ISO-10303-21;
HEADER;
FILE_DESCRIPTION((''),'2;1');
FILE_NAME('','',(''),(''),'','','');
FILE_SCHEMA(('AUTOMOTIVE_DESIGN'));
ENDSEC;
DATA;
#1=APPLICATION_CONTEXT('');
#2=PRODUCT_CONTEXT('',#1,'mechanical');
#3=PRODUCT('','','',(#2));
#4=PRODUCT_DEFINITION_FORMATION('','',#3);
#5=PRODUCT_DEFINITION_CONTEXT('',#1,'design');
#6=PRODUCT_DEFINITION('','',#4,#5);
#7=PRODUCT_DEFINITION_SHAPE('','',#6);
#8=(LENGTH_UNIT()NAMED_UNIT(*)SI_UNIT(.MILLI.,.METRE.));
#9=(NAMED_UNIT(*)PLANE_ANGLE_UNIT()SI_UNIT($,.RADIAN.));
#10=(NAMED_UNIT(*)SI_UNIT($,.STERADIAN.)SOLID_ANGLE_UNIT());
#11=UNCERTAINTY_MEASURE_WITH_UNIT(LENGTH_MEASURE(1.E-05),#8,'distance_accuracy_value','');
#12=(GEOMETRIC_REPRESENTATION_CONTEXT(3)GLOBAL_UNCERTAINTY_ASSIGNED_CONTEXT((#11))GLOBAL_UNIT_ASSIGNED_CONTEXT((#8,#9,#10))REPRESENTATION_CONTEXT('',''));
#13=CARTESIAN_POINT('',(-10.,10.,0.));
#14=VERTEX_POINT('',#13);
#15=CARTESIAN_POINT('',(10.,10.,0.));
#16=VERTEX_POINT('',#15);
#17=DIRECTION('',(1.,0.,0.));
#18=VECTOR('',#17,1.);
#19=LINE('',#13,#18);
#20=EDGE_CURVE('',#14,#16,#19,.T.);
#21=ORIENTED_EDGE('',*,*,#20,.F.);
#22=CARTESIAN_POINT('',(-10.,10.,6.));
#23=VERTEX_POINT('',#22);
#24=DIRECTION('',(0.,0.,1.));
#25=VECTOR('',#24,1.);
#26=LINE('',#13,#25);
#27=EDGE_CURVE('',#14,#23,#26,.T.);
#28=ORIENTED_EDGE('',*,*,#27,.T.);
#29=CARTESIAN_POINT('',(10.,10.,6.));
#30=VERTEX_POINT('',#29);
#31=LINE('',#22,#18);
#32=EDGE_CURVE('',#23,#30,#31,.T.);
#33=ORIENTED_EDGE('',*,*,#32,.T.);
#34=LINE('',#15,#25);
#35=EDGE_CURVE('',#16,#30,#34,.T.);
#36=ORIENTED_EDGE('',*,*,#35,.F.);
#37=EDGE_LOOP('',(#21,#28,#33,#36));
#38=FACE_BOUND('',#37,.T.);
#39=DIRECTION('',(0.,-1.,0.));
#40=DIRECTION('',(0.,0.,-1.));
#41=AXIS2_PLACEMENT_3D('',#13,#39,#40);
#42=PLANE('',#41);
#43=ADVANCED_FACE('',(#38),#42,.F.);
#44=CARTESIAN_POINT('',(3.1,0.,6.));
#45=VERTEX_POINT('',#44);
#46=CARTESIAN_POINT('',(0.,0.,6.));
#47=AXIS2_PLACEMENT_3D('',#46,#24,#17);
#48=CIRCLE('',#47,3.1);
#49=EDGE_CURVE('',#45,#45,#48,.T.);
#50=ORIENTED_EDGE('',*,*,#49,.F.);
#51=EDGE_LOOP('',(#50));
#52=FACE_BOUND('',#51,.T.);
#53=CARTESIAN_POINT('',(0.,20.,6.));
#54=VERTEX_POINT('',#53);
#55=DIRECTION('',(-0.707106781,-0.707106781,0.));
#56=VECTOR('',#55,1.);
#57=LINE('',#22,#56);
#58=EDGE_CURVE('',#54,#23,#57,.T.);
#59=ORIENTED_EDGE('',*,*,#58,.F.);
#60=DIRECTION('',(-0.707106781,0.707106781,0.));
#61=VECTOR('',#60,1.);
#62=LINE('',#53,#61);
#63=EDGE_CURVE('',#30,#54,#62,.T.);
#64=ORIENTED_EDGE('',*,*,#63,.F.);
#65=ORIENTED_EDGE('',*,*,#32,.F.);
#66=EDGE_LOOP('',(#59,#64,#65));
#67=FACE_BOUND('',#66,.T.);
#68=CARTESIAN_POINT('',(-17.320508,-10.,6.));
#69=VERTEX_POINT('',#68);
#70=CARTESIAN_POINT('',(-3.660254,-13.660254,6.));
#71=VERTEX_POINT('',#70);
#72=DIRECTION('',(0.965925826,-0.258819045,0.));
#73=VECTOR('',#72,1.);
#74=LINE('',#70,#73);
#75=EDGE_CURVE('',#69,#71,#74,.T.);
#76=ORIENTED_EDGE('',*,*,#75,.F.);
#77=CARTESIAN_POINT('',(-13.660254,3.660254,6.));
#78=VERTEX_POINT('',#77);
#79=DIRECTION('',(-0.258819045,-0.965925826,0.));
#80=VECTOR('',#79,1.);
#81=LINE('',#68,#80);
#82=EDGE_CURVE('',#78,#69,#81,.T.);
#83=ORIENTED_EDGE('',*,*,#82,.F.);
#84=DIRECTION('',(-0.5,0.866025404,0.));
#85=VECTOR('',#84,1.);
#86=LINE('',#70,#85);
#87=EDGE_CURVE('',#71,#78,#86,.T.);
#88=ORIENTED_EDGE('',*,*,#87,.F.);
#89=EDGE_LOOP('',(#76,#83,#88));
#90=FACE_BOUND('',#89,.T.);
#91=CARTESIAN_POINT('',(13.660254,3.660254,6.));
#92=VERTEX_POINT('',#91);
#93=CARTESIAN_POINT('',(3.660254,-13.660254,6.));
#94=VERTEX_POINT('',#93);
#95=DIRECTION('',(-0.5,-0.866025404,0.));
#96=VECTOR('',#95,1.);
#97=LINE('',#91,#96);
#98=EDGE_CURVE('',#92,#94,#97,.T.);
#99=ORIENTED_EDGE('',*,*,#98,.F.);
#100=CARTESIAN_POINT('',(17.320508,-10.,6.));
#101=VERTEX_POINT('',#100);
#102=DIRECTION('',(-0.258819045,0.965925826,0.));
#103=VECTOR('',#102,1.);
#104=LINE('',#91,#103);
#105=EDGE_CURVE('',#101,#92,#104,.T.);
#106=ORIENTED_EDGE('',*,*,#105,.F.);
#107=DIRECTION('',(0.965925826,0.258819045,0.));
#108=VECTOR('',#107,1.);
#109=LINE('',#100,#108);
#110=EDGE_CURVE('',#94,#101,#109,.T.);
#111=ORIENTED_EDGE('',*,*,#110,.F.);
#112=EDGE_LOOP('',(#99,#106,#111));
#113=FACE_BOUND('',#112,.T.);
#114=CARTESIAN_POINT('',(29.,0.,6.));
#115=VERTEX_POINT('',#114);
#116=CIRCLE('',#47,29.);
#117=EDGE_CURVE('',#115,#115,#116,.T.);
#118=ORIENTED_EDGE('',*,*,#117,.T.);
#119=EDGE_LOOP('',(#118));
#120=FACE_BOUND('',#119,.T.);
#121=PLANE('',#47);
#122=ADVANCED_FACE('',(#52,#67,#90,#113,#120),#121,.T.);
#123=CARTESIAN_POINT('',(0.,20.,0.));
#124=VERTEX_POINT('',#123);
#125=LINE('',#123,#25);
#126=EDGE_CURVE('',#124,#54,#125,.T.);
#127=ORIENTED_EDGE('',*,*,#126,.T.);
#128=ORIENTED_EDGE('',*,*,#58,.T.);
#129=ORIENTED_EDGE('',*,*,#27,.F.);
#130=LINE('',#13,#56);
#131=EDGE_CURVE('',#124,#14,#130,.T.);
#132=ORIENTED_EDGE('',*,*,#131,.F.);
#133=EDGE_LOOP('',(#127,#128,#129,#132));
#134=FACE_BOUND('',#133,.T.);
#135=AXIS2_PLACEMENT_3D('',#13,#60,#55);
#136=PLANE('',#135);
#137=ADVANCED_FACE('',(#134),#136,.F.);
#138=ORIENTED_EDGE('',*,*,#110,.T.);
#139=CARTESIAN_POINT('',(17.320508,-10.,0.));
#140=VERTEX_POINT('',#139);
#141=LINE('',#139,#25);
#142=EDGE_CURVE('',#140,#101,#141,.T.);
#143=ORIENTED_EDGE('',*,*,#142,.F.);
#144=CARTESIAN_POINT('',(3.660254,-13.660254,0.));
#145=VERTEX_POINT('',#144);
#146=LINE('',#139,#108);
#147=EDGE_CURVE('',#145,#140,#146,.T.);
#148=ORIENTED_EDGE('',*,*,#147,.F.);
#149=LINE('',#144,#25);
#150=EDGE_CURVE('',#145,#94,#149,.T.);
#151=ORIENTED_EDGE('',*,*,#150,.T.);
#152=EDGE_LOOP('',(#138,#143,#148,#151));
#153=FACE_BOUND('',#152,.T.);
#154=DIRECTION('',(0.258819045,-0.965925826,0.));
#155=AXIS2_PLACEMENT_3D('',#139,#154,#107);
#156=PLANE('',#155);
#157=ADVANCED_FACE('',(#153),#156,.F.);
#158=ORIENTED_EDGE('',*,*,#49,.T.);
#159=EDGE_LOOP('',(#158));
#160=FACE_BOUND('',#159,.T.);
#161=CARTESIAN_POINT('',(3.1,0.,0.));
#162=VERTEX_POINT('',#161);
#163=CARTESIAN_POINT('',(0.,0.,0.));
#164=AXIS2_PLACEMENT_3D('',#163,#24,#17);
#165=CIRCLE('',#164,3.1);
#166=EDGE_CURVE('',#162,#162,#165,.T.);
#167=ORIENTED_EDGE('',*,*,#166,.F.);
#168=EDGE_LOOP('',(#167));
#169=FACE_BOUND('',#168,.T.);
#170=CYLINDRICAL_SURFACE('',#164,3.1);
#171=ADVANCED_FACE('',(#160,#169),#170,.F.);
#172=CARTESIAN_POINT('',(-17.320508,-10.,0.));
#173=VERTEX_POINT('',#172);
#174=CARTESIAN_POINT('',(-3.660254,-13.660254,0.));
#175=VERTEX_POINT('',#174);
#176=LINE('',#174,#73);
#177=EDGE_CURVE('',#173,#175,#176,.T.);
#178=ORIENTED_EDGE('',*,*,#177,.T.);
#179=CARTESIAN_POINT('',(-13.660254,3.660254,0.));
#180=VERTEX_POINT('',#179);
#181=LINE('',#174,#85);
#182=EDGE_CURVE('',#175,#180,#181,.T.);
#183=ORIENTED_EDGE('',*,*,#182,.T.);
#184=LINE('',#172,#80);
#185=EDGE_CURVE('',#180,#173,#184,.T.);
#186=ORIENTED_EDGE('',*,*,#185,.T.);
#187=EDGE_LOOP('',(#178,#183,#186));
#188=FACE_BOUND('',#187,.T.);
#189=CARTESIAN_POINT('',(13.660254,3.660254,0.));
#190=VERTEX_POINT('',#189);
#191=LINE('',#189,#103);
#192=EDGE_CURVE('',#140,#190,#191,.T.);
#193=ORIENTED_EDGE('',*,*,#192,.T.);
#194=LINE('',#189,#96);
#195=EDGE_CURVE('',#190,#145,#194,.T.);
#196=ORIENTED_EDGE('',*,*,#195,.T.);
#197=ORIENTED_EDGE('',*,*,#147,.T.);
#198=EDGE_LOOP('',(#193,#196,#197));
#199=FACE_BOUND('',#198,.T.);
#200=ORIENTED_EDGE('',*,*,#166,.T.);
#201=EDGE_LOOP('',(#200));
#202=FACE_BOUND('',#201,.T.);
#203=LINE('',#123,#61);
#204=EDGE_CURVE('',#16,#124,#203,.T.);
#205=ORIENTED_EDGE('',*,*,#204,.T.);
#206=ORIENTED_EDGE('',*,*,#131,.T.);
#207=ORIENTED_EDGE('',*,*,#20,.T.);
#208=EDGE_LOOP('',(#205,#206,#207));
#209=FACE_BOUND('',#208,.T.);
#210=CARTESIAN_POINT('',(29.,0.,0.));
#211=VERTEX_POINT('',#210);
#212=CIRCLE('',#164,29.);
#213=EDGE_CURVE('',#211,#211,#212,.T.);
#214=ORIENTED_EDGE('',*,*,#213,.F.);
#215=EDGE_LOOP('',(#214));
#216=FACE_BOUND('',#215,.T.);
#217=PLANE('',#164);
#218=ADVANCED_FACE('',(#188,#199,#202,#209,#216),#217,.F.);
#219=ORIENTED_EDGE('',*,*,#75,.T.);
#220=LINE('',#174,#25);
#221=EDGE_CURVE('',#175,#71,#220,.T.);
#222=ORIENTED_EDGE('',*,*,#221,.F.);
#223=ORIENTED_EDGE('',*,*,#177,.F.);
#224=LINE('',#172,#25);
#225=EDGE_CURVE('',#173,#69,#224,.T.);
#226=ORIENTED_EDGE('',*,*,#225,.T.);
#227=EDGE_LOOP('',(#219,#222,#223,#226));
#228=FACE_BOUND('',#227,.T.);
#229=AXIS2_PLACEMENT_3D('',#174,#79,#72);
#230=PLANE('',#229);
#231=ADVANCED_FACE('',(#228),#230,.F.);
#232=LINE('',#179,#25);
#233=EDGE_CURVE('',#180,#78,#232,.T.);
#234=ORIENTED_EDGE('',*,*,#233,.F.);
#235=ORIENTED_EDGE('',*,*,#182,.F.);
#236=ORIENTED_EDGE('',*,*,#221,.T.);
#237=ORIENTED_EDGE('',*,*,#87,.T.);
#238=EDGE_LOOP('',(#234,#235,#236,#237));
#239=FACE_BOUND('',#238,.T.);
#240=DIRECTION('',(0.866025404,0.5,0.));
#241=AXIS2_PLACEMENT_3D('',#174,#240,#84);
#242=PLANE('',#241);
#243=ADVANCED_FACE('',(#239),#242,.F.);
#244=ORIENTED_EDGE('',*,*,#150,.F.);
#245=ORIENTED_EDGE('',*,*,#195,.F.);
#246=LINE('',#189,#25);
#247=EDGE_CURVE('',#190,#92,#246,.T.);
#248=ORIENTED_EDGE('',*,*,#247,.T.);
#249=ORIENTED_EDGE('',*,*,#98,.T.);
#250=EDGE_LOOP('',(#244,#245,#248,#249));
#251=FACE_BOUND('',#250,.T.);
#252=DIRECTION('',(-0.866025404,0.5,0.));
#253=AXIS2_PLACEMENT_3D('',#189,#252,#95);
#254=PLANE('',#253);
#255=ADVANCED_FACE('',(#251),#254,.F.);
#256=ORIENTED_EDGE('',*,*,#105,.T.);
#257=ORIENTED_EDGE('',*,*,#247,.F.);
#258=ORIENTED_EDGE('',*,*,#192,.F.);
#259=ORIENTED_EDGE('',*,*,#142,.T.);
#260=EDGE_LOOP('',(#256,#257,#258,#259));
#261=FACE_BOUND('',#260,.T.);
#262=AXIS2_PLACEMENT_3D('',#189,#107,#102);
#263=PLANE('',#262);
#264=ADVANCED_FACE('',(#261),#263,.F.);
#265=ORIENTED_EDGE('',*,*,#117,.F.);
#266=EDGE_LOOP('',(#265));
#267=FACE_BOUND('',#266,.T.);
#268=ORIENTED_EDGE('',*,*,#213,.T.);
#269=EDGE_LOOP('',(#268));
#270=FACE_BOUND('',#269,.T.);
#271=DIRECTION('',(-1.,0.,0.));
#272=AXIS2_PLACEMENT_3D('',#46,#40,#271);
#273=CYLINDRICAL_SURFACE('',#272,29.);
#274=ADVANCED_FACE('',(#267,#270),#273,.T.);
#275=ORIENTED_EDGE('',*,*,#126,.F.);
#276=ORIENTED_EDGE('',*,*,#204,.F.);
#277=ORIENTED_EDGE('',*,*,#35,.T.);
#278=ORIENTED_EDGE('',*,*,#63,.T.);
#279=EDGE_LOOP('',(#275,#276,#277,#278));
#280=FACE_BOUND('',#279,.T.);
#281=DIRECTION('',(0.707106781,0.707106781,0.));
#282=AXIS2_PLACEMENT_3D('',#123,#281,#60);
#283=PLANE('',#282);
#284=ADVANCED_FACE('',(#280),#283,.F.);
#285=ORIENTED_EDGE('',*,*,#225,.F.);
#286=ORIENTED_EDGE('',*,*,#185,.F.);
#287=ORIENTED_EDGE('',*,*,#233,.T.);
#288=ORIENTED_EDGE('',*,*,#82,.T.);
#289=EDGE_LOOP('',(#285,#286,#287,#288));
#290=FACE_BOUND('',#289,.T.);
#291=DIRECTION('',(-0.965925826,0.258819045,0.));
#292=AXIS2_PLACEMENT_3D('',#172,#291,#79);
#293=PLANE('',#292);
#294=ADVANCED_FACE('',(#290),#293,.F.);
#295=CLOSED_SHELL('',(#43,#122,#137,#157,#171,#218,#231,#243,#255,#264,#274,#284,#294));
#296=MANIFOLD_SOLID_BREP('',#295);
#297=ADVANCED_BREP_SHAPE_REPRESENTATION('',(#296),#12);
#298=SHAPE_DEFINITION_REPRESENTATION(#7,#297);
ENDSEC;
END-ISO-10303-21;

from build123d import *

# Parameters (mm, degrees)
SKETCH_1_R          = 29
EXTRUDE_1_DEPTH     = 6
SKETCH_2_R          = 3.1
CUT_EXTRUDE_1_DEPTH = 42.448763552
CUT_EXTRUDE_2_DEPTH = 42.448763552


with BuildPart() as part:
    # 草图1 → 凸台-拉伸1 (new body)
    with BuildSketch(Plane.XY):
        Circle(SKETCH_1_R)
    extrude(amount=EXTRUDE_1_DEPTH)

    # 草图2 → 切除-拉伸1 (cut, through all)
    with BuildSketch(Plane.XY.offset(6)):
        Circle(SKETCH_2_R)
    extrude(amount=-CUT_EXTRUDE_1_DEPTH, mode=Mode.SUBTRACT)

    # 草图3 → 切除-拉伸2 (cut, through all)
    with BuildSketch(Plane.XY.offset(6)):
        Polygon((-10, 10), (0, 20), (10, 10), align=None)
        Polygon((13.660254038, 3.660254038), (17.320508076, -10), (3.660254038, -13.660254038), align=None)
        Polygon((-3.660254038, -13.660254038), (-17.320508076, -10), (-13.660254038, 3.660254038), align=None)
    extrude(amount=-CUT_EXTRUDE_2_DEPTH, mode=Mode.SUBTRACT)


solid = part.part
